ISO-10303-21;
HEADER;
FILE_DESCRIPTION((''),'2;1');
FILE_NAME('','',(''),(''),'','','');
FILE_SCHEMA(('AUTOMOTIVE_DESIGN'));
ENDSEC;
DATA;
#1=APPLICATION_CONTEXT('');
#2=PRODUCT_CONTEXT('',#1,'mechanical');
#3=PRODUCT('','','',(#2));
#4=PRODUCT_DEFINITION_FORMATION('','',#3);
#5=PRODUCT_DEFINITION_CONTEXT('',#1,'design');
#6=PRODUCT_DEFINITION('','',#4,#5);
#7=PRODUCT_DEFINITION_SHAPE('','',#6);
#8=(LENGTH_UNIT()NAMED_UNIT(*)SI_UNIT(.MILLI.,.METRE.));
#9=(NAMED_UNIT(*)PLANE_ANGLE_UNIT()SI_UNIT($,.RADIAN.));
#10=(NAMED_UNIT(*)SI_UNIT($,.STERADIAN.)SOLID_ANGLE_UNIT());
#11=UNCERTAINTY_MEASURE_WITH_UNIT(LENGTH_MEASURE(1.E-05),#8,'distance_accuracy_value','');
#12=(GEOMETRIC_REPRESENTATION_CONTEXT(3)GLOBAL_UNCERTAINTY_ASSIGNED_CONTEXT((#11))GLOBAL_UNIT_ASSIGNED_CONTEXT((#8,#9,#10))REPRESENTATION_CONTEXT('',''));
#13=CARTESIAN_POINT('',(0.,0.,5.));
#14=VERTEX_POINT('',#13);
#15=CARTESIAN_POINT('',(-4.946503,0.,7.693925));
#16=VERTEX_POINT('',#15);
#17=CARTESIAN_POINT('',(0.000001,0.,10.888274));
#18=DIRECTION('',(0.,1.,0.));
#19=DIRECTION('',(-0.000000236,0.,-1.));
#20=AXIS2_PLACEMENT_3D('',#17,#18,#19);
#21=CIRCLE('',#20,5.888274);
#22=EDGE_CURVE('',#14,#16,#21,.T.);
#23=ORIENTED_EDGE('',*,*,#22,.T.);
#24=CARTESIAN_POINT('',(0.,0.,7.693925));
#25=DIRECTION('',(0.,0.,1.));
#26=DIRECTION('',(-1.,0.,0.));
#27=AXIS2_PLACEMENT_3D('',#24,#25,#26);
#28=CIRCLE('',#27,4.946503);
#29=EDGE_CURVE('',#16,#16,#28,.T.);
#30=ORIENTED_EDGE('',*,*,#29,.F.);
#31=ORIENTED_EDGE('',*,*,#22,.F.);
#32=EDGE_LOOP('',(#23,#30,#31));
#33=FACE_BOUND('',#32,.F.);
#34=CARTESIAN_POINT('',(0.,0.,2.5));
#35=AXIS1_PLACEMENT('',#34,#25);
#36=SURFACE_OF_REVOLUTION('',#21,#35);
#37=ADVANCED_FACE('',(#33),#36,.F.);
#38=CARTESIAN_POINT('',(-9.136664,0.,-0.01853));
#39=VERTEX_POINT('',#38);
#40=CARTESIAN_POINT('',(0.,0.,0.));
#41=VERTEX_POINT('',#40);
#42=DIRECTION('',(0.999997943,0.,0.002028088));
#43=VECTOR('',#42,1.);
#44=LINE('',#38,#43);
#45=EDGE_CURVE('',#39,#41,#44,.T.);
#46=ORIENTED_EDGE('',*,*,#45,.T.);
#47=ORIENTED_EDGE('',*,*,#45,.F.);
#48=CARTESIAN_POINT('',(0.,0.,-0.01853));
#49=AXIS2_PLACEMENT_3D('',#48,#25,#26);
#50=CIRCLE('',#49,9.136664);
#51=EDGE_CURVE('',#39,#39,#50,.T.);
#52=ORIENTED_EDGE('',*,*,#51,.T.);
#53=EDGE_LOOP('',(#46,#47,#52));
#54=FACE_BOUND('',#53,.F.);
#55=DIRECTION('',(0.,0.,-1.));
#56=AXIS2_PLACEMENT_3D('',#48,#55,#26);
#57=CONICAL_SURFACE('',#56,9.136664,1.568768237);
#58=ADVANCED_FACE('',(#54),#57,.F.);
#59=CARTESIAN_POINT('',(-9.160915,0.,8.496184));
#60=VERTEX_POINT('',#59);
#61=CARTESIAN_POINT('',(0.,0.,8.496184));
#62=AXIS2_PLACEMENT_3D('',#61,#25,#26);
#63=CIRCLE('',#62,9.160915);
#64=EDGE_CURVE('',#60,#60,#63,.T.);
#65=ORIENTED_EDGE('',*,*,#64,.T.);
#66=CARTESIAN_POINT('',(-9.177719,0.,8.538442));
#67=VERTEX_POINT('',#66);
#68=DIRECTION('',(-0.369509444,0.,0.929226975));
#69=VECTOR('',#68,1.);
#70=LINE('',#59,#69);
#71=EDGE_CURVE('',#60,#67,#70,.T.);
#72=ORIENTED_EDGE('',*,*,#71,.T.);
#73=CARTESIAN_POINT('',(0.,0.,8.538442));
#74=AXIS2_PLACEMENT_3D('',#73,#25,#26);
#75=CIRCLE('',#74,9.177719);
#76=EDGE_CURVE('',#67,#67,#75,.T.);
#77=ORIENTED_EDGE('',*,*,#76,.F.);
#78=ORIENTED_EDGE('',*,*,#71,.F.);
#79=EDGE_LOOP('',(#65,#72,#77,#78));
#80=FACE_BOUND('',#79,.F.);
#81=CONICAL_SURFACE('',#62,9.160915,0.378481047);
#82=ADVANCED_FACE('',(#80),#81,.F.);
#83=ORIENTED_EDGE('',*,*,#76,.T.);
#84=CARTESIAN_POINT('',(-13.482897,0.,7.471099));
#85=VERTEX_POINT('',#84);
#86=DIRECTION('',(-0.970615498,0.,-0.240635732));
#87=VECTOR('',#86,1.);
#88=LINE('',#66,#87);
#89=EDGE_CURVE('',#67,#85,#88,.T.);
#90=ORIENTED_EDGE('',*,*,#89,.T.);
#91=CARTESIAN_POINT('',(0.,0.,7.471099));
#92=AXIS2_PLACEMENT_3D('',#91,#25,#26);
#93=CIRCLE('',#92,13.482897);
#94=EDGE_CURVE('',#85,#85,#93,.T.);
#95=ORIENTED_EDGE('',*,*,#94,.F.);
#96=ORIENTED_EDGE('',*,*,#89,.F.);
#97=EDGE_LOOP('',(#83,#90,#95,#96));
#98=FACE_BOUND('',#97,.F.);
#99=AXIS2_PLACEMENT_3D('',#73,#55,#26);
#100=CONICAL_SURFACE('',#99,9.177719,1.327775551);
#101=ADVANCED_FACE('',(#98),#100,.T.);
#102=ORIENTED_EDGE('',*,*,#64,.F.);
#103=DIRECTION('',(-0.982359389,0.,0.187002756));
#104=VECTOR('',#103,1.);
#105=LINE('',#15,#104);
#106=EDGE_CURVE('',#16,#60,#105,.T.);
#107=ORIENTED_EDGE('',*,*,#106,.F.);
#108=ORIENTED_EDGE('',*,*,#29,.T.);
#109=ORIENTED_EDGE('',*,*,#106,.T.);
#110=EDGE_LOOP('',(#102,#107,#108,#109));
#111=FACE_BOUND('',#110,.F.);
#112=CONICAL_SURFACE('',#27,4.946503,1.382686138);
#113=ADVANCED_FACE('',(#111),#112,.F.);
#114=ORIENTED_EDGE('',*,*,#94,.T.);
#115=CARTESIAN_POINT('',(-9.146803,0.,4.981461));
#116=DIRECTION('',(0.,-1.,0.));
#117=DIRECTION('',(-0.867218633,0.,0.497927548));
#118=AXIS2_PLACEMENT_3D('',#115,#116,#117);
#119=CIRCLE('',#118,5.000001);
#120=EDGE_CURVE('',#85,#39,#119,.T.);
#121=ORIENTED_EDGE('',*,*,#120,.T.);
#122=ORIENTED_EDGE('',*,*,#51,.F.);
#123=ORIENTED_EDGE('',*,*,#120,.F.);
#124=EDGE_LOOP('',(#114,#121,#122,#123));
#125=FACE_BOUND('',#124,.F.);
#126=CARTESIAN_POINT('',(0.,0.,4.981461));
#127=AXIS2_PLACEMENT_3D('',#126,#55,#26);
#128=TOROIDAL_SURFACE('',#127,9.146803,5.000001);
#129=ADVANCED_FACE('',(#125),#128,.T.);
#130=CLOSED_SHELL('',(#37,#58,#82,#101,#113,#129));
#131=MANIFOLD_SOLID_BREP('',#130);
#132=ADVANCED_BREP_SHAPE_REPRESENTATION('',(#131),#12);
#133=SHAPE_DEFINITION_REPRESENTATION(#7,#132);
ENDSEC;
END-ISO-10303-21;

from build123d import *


with BuildPart() as f1:
    # F0 (on Front) → F1 (revolve)
    with BuildSketch(Plane.XZ):
        with BuildLine():
            ThreePointArc((0, 5), (-2.816253, 5.717154), (-4.946503, 7.693925))
            Line((-4.946503, 7.693925), (-9.160915, 8.496184))
            Line((-9.160915, 8.496184), (-9.177719, 8.538442))
            Line((-9.177719, 8.538442), (-13.482897, 7.471099))
            ThreePointArc((-13.482897, 7.471099), (-13.471396, 2.471898), (-9.136664, -0.01853))
            Line((-9.136664, -0.01853), (0, 0))
            Line((0, 0), (0, 5))
        make_face()
    revolve(axis=Axis((0, 0, 2.5), (0, 0, 1)))


solid = f1.part
